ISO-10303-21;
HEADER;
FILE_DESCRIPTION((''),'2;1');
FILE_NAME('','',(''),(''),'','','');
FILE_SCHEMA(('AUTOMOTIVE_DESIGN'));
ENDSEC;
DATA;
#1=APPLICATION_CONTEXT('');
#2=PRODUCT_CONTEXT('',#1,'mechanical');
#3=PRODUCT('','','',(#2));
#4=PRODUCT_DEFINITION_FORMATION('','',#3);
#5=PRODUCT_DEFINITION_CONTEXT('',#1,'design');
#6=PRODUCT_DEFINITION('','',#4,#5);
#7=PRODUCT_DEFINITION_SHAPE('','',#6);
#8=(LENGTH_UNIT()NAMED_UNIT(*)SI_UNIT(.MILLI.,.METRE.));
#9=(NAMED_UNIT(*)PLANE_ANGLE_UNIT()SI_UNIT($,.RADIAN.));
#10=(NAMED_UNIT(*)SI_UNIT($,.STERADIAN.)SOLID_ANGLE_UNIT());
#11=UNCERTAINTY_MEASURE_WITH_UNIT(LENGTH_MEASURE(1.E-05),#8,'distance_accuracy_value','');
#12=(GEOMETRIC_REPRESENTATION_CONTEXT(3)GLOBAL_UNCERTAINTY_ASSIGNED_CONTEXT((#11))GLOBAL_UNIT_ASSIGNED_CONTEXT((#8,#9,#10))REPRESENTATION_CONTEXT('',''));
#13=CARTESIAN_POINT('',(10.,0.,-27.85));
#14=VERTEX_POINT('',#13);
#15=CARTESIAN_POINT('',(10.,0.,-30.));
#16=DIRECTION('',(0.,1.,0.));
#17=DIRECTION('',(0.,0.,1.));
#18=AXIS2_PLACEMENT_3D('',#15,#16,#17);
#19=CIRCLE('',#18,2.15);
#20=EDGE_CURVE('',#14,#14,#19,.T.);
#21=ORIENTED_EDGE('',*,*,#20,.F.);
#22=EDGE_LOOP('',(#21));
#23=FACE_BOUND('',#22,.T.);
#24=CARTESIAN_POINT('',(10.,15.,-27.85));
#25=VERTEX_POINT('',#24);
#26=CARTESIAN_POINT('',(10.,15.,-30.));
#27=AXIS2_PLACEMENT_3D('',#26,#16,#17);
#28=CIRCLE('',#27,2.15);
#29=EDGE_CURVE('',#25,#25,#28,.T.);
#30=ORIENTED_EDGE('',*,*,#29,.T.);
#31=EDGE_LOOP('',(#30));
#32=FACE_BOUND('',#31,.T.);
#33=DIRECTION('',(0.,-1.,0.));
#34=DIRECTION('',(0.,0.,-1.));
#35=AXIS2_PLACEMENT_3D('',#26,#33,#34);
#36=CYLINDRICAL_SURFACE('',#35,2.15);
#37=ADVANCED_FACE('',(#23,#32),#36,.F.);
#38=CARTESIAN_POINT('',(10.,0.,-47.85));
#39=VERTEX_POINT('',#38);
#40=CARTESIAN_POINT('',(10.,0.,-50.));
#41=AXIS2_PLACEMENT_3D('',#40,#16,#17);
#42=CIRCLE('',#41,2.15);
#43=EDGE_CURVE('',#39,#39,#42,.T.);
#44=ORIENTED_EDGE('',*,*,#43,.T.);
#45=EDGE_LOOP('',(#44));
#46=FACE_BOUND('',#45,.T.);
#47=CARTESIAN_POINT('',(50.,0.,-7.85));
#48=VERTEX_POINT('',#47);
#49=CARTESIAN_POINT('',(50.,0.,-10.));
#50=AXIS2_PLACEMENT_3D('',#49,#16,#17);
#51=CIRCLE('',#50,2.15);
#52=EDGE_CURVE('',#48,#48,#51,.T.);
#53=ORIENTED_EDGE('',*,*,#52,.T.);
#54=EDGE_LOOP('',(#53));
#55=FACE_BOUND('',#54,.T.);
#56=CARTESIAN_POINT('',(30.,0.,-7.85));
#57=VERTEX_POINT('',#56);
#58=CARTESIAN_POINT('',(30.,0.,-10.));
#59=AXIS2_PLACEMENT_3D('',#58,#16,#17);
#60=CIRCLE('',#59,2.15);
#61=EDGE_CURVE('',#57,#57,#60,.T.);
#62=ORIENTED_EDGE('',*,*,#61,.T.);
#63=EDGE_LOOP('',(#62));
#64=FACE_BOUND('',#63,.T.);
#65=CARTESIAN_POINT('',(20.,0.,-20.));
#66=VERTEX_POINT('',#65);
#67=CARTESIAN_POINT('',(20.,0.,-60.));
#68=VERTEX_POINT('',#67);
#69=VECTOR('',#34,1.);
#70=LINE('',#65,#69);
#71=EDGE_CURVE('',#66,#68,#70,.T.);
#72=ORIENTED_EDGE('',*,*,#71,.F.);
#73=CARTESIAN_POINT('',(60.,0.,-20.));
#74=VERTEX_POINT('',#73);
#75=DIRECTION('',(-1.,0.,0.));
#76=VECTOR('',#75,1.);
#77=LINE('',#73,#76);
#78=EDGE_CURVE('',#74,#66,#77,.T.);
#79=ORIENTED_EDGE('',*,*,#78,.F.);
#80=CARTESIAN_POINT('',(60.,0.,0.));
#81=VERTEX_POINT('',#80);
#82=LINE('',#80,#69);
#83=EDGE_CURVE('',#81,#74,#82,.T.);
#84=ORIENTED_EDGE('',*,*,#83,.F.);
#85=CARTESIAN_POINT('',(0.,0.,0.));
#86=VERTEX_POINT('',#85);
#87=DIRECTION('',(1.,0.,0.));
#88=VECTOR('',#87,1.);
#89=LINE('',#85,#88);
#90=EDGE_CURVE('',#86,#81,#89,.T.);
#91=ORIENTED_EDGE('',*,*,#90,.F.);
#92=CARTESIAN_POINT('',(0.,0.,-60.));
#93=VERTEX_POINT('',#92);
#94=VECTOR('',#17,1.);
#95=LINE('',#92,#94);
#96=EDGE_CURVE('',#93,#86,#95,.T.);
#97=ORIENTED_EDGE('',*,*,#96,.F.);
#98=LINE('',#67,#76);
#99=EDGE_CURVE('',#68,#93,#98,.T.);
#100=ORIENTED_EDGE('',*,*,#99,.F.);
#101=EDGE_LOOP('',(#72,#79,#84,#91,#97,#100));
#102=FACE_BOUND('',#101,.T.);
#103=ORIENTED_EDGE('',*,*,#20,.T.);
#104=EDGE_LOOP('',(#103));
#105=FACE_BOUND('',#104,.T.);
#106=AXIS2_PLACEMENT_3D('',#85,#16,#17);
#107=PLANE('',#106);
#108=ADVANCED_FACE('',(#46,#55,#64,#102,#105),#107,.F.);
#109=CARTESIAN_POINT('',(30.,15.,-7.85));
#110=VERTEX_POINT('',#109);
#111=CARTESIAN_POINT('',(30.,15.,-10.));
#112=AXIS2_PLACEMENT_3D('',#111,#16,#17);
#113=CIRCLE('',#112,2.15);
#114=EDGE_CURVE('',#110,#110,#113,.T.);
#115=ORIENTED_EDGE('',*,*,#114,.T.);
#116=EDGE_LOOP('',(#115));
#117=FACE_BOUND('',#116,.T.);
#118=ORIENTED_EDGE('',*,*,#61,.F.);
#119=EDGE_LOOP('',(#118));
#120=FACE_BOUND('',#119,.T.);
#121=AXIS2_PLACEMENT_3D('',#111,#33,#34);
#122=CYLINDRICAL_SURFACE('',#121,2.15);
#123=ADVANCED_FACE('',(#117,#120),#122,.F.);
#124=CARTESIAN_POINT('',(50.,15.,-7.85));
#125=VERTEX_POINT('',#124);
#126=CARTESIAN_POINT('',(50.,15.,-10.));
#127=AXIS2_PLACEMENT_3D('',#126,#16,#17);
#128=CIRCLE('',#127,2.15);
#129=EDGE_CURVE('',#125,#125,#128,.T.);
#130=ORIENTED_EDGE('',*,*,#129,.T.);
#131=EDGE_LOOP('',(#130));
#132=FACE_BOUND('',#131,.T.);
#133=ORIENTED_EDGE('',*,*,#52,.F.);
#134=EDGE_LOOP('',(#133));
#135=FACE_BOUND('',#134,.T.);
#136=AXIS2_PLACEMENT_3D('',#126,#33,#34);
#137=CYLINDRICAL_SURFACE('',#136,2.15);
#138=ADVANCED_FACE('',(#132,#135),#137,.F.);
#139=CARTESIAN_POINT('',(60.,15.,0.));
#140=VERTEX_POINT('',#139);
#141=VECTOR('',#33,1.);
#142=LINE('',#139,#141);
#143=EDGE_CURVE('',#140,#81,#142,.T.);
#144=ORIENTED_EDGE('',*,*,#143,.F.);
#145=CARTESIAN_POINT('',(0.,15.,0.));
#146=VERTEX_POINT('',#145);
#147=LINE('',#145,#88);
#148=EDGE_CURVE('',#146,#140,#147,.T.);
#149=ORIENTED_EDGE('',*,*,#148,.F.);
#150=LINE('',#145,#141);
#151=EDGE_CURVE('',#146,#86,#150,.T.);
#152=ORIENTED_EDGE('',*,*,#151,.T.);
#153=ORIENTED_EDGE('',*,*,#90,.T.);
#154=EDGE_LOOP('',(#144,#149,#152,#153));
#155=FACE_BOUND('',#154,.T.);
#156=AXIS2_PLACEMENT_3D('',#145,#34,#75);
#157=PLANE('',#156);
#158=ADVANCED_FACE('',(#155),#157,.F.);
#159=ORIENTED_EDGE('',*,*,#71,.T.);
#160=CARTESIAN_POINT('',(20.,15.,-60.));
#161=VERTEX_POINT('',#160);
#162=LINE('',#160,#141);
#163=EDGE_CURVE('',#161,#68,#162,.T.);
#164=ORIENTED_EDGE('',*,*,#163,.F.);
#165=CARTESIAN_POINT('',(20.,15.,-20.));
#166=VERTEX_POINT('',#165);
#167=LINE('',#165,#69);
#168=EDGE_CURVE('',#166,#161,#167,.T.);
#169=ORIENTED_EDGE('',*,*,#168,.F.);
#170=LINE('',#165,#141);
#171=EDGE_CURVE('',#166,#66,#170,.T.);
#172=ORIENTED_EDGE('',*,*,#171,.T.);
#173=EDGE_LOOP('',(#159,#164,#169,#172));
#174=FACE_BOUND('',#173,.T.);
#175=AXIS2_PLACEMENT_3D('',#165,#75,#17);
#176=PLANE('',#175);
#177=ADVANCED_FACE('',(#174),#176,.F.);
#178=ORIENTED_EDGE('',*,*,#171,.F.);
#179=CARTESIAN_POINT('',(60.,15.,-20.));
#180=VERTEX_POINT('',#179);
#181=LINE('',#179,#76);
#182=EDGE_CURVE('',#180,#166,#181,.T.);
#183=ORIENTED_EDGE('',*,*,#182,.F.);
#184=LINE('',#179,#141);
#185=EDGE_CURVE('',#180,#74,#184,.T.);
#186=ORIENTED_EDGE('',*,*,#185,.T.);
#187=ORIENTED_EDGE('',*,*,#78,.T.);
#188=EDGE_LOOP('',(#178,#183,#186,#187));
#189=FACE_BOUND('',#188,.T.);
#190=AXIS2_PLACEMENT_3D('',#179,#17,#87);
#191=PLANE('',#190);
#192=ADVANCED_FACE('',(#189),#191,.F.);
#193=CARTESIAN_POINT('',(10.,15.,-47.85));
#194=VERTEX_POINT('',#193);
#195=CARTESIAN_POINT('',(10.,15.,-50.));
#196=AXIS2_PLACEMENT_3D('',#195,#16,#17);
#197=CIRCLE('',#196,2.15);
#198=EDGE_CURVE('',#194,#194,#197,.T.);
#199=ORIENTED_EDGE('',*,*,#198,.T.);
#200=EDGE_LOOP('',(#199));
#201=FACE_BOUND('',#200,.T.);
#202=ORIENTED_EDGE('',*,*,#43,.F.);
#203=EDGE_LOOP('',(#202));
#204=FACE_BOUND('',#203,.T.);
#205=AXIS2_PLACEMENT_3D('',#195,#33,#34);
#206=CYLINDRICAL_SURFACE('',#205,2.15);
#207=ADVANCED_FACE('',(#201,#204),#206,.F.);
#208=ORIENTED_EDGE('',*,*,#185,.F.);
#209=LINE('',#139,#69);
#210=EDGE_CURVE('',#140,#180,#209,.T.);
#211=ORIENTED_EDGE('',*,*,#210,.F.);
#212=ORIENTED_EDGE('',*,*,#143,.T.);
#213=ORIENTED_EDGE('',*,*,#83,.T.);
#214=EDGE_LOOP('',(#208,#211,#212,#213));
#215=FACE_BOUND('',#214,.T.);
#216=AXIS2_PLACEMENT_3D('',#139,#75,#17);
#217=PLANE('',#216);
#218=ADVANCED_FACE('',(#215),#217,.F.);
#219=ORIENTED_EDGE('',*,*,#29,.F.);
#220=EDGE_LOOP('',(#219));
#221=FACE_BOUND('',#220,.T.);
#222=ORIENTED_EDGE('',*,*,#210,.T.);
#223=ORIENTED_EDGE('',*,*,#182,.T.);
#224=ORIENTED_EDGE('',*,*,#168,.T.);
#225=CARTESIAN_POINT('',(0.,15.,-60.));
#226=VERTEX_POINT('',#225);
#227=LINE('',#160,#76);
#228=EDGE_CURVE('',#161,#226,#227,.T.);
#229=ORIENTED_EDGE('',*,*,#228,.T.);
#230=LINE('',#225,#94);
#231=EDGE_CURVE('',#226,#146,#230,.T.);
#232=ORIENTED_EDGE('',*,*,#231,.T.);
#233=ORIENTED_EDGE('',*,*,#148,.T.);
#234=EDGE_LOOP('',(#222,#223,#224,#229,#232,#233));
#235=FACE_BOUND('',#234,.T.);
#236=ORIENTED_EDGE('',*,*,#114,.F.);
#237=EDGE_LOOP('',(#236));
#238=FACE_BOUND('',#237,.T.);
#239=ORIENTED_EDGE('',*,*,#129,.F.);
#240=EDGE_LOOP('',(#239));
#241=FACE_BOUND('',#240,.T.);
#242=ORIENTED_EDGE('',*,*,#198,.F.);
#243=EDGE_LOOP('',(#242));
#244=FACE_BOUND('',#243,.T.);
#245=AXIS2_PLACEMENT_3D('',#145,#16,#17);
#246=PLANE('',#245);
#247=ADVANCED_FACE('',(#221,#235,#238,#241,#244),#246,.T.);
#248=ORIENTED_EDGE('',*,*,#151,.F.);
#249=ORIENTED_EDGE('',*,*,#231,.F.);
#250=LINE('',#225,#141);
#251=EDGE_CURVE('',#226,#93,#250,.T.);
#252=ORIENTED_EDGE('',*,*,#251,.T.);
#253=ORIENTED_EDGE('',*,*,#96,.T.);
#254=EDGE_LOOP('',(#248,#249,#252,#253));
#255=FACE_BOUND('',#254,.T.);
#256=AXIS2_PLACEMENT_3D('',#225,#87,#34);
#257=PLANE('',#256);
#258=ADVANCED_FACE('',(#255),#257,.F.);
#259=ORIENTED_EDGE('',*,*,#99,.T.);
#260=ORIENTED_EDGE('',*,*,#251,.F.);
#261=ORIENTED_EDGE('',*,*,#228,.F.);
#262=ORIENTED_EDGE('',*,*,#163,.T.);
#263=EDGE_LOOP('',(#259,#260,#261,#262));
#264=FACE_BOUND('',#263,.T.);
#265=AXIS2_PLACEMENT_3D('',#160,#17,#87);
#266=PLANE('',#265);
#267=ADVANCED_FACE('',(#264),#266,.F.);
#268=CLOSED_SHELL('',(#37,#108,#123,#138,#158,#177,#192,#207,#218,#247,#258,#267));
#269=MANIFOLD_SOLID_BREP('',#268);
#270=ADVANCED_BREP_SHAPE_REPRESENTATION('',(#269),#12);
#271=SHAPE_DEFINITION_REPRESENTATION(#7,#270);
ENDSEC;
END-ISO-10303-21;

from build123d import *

# Parameters (mm, degrees)
SKETCH1_R           = 2.15
BOSS_EXTRUDE1_DEPTH = 15


with BuildPart() as part:
    # Sketch1 → Boss-Extrude1 (new body)
    with BuildSketch(Plane(origin=(0, 0, 0), x_dir=(1, 0, 0), z_dir=(0, 1, 0))):
        Polygon((0, 0), (60, 0), (60, 20), (20, 20), (20, 60), (0, 60), align=None)
        with Locations(Location((50, 10, 0), (0, 0, 270))):
            Circle(SKETCH1_R, mode=Mode.SUBTRACT)
        with Locations(Location((30, 10, 0), (0, 0, 270))):
            Circle(SKETCH1_R, mode=Mode.SUBTRACT)
        with Locations(Location((10, 50, 0), (0, 0, 270))):
            Circle(SKETCH1_R, mode=Mode.SUBTRACT)
        with Locations(Location((10, 30, 0), (0, 0, 270))):
            Circle(SKETCH1_R, mode=Mode.SUBTRACT)
    extrude(amount=BOSS_EXTRUDE1_DEPTH)


solid = part.part
